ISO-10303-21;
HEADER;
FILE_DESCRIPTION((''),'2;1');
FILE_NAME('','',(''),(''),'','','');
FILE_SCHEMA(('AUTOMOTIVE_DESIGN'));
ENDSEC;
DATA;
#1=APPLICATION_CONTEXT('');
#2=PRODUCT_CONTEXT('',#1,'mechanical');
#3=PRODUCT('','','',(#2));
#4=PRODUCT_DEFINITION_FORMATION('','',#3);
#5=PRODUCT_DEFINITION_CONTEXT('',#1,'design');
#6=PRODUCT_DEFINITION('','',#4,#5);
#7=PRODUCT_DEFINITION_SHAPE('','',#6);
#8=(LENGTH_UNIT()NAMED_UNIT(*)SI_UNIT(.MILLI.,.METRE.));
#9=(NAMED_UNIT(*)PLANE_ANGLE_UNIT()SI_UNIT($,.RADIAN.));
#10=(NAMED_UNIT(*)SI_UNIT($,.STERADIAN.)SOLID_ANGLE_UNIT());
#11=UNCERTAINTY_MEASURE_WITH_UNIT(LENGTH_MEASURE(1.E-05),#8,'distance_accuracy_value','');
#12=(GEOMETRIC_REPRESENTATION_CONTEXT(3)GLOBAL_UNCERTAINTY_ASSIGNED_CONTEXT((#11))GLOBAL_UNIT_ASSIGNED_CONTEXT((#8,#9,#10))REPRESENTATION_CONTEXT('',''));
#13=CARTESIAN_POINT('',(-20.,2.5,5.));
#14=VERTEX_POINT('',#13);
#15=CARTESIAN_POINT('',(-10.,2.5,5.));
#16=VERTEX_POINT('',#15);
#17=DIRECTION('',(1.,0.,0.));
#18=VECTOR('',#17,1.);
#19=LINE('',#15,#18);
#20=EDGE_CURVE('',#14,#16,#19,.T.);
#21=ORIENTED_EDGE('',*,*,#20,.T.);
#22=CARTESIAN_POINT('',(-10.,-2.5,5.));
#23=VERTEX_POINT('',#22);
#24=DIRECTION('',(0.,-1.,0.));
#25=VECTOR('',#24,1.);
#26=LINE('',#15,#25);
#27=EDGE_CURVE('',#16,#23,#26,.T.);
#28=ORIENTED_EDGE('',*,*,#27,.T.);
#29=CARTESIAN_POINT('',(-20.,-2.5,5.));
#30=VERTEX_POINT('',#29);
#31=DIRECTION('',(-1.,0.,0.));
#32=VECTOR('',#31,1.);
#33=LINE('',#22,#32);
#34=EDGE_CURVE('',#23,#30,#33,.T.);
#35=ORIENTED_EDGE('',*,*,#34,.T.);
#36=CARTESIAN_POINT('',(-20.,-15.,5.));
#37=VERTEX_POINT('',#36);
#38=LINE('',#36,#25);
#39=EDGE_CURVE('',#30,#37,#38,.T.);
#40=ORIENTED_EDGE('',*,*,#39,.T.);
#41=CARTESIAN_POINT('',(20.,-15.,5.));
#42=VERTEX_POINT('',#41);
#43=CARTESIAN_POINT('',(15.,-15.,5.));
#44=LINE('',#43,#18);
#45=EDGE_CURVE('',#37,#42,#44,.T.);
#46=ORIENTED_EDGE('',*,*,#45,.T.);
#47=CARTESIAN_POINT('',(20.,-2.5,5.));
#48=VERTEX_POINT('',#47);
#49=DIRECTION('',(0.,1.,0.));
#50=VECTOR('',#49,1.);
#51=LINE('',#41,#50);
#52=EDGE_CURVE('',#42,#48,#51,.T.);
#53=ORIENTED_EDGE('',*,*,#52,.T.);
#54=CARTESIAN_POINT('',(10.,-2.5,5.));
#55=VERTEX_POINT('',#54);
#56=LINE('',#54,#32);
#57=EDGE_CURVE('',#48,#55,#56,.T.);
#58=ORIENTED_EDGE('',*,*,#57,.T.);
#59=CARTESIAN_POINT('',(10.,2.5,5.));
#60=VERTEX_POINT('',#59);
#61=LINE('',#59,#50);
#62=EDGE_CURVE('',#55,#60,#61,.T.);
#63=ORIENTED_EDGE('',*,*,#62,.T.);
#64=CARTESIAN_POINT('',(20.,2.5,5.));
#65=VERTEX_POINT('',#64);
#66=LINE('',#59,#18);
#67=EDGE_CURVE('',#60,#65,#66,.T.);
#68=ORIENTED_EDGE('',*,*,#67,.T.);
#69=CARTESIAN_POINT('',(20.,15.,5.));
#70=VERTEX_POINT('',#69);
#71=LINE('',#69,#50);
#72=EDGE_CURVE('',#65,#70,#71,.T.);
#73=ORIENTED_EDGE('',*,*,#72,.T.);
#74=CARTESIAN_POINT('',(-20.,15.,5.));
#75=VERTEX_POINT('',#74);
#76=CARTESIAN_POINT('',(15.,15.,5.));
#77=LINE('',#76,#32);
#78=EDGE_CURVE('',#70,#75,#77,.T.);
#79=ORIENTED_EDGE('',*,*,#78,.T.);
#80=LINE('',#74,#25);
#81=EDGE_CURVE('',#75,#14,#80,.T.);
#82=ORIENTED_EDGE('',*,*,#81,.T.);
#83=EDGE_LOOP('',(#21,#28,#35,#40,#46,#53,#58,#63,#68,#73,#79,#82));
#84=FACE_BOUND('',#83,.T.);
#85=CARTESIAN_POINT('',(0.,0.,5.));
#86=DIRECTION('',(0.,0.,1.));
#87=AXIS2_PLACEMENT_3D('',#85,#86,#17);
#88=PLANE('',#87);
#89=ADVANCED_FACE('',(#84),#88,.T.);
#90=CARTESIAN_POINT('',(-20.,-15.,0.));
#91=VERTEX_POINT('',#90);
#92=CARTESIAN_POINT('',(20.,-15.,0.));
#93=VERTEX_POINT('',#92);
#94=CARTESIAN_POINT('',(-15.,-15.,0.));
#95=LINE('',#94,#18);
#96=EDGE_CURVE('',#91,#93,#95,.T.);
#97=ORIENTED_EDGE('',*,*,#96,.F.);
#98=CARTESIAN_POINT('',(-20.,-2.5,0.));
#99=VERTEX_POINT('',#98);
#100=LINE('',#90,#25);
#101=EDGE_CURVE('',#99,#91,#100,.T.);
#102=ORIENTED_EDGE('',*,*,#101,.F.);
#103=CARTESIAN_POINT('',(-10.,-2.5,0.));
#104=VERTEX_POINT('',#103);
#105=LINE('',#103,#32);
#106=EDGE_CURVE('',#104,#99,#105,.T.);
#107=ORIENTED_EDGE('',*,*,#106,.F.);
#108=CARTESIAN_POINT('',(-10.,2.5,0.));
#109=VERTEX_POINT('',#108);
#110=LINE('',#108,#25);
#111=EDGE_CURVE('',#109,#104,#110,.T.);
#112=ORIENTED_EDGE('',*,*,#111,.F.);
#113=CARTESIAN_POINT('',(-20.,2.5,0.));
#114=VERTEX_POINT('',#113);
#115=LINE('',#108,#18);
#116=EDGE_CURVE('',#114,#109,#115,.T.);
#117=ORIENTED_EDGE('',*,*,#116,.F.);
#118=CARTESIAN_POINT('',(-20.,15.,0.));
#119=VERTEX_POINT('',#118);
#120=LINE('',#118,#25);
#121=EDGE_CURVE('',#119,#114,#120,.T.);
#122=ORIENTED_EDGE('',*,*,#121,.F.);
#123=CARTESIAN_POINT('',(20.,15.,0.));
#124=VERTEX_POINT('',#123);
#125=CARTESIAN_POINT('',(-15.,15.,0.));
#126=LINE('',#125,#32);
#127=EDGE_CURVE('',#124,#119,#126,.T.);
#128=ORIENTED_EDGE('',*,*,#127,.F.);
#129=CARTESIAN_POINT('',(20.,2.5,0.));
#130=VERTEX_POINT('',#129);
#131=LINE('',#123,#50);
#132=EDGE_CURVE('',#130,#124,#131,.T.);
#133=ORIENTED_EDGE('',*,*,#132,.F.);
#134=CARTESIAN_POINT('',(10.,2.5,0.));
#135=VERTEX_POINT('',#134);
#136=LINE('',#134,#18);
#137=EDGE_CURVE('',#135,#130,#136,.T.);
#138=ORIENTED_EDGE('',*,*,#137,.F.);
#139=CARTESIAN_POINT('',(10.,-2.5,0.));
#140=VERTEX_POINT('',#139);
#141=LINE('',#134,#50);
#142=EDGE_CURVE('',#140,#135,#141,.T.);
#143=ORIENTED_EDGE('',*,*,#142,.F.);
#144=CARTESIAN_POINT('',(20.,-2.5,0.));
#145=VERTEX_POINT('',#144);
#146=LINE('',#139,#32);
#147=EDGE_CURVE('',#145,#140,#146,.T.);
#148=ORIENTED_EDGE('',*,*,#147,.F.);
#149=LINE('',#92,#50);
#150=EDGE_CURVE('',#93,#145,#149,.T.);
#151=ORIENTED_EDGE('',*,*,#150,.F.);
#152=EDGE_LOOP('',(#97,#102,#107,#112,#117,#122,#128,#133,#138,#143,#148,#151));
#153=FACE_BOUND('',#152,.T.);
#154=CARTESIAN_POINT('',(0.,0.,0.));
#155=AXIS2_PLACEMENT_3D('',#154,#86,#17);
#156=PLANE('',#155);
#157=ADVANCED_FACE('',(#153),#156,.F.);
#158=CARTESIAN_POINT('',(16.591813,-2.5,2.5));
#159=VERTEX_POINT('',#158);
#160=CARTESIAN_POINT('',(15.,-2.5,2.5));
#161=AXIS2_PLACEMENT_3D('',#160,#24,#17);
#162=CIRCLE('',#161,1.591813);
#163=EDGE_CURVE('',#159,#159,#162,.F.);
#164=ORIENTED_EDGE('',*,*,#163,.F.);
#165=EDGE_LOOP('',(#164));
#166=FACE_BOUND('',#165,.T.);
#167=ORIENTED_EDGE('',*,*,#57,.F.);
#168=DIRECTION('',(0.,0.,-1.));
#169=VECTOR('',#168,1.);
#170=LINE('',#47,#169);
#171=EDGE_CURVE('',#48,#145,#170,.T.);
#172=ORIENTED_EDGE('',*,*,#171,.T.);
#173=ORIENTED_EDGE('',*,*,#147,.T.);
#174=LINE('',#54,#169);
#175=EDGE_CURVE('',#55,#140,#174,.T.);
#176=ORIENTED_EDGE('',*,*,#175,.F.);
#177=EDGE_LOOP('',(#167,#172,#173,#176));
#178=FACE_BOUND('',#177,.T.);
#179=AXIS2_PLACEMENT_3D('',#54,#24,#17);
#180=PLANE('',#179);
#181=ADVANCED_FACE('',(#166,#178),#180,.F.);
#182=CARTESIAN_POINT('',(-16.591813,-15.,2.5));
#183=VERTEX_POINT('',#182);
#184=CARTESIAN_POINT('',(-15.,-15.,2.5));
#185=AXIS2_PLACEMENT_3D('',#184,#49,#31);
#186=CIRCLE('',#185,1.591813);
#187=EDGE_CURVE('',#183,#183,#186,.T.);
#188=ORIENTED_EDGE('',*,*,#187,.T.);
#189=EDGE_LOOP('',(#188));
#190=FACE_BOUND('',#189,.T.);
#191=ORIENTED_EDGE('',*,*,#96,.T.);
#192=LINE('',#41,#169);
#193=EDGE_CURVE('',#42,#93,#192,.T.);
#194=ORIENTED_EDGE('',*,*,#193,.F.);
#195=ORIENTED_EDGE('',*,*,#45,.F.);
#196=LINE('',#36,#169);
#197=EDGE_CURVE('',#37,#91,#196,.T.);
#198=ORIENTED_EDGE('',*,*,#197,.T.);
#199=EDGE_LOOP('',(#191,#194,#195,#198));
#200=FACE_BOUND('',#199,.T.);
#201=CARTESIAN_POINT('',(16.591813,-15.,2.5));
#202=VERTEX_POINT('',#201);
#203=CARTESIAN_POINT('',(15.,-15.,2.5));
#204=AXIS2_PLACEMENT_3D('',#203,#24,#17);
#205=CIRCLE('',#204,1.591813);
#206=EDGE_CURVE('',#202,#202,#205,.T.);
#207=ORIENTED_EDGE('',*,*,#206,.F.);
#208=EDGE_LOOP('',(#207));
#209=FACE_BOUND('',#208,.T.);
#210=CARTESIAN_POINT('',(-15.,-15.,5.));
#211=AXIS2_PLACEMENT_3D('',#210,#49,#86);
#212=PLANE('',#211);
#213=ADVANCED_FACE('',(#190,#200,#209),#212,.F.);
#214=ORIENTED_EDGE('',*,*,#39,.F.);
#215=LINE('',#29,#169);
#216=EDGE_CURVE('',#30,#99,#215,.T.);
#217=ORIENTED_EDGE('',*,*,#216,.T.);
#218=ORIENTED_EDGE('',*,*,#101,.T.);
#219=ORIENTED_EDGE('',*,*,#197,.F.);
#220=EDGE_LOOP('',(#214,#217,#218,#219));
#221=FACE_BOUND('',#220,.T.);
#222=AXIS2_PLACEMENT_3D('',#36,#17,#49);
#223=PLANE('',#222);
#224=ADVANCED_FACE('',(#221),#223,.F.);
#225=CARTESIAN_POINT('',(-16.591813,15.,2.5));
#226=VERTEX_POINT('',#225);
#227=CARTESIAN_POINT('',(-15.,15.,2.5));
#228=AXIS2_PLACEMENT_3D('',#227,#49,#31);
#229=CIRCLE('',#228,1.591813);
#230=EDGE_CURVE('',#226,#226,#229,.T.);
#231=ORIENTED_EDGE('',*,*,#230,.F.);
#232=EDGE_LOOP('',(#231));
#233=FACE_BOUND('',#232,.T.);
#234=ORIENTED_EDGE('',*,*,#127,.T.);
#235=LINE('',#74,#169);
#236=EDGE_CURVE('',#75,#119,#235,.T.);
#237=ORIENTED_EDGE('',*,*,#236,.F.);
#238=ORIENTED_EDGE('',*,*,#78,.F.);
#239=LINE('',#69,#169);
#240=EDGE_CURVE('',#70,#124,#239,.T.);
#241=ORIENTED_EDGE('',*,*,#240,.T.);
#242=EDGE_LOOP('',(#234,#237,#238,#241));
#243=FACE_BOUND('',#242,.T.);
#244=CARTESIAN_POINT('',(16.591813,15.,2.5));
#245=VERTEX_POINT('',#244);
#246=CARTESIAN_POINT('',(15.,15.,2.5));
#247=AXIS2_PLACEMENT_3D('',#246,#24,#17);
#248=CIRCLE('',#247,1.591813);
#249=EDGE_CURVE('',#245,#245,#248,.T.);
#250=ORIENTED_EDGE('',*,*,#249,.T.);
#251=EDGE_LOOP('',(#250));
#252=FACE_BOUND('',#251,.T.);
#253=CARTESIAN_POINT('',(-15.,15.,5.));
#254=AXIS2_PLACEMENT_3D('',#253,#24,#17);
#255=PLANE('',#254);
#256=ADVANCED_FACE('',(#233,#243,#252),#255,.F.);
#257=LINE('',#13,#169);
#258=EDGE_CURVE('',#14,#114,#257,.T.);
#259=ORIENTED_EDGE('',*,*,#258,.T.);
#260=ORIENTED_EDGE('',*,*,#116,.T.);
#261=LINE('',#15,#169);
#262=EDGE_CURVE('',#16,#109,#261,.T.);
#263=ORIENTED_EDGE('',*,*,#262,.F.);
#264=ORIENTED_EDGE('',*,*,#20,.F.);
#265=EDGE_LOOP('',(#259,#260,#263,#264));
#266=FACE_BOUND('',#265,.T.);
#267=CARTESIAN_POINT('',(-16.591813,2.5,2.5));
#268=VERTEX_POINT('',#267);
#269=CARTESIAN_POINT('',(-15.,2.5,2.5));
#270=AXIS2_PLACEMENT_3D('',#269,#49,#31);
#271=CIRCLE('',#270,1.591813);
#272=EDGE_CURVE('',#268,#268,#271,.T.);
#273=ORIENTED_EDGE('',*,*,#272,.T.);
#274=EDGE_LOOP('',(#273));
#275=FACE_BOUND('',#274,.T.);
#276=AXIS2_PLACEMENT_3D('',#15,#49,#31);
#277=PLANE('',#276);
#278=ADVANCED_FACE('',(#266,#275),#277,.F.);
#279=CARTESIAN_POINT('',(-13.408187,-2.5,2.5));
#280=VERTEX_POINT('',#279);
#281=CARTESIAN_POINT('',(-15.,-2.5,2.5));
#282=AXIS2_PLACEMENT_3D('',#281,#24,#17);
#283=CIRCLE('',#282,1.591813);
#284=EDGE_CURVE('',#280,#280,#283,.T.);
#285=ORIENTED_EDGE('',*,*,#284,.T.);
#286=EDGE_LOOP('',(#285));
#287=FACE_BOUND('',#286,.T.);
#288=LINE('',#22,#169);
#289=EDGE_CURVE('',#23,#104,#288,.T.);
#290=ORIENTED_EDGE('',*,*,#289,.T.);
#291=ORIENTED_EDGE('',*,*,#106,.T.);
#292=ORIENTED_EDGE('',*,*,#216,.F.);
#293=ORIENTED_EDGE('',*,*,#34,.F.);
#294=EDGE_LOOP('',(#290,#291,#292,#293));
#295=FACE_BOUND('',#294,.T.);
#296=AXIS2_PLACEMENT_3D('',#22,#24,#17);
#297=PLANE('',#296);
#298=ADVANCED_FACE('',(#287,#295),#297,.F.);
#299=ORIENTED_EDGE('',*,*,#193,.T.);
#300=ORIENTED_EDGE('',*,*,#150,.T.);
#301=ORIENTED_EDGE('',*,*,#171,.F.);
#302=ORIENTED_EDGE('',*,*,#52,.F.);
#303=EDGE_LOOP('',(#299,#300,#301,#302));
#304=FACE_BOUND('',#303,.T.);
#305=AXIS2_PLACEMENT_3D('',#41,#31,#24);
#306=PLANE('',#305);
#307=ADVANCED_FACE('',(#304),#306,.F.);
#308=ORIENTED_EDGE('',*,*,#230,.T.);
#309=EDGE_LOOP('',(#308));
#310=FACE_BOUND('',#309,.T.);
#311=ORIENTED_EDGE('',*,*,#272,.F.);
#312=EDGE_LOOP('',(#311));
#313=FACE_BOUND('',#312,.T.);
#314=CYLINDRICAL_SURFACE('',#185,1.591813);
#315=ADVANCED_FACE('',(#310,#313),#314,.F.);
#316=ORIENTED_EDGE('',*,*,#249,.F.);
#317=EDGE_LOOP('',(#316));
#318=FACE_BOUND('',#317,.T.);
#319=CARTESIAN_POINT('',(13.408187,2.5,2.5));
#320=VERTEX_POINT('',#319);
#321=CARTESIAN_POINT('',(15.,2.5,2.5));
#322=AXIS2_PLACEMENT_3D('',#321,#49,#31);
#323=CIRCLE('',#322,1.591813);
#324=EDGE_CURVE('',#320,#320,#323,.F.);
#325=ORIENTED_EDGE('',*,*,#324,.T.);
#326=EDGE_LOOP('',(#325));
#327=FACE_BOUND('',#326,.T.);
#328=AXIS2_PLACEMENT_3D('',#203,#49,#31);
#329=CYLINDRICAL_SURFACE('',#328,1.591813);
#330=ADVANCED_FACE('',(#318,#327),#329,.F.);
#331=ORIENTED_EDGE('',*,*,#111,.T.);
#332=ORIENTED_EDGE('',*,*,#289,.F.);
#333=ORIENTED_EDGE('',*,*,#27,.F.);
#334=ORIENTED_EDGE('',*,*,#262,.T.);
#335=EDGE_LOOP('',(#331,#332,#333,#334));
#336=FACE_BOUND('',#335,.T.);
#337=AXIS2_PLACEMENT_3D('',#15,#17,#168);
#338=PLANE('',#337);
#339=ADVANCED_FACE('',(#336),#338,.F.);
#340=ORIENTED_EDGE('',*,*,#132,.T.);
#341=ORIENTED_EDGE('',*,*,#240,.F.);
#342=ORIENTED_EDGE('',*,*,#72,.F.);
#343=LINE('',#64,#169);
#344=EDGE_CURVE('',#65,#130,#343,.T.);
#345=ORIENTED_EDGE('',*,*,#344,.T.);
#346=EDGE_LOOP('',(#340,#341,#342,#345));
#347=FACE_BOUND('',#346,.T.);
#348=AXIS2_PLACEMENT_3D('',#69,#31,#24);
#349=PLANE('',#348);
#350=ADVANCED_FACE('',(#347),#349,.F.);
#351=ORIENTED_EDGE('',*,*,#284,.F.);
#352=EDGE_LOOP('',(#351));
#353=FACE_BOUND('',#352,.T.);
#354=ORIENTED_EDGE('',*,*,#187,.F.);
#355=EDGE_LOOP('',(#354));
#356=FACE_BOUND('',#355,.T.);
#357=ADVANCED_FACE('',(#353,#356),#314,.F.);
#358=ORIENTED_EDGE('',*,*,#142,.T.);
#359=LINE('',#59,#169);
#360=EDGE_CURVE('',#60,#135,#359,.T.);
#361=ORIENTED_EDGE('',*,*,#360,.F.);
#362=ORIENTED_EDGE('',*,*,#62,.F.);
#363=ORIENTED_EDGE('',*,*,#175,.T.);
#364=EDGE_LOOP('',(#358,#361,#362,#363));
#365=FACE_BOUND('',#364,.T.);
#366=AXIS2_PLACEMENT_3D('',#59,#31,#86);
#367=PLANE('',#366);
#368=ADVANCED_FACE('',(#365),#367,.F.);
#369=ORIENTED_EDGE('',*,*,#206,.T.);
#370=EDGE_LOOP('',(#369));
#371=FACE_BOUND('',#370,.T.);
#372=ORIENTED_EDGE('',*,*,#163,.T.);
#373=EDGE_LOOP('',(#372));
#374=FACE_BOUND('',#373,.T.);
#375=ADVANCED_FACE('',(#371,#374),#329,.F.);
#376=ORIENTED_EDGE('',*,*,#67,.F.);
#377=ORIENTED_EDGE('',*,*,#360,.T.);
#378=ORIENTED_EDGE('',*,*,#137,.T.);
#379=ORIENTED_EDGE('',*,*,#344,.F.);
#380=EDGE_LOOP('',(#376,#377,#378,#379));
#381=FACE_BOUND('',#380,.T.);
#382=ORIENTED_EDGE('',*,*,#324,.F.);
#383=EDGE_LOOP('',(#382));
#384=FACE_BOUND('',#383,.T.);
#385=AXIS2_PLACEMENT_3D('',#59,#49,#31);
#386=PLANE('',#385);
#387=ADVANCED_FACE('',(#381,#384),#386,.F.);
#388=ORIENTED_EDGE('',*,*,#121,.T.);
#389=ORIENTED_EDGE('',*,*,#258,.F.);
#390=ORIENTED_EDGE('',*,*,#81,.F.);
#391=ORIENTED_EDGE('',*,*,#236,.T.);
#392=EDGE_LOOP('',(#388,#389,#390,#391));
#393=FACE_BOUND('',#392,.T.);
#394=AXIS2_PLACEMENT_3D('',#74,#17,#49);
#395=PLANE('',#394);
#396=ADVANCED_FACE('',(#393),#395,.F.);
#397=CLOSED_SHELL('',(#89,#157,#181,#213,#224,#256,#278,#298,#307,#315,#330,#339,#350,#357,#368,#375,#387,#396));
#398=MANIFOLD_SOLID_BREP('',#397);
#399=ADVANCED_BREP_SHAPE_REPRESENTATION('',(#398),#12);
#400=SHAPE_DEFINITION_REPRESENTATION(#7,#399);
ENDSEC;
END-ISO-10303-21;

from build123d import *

# Parameters (mm, degrees)
BOSS_EXTRUDE1_DEPTH = 5
SKETCH2_R           = 1.591812525
CUT_EXTRUDE1_DEPTH  = 37.400549446


with BuildPart() as part:
    # Sketch1 → Boss-Extrude1 (new body)
    with BuildSketch(Plane.XY):
        Polygon((-15, 15), (15, 15), (20, 15), (20, 2.5), (10, 2.5), (10, -2.5), (20, -2.5), (20, -15), (15, -15), (-15, -15), (-20, -15), (-20, -2.5), (-10, -2.5), (-10, 2.5), (-20, 2.5), (-20, 15), align=None)
    extrude(amount=BOSS_EXTRUDE1_DEPTH)

    # Sketch2 → Cut-Extrude1 (cut, through all)
    with BuildSketch(Plane(origin=(0, 15, 0), x_dir=(1, 0, 0), z_dir=(0, 1, 0))):
        with Locations(Location((-15, -2.5, 0), (0, 0, 180))):
            Circle(SKETCH2_R)
    cut_extrude1 = extrude(amount=-CUT_EXTRUDE1_DEPTH, mode=Mode.SUBTRACT)

    # Mirror1: Cut-Extrude1 across plane
    add(cut_extrude1.mirror(Plane(origin=(0, 0, 0), x_dir=(0, 0, 1), z_dir=(1, 0, 0))), mode=Mode.SUBTRACT)


solid = part.part
